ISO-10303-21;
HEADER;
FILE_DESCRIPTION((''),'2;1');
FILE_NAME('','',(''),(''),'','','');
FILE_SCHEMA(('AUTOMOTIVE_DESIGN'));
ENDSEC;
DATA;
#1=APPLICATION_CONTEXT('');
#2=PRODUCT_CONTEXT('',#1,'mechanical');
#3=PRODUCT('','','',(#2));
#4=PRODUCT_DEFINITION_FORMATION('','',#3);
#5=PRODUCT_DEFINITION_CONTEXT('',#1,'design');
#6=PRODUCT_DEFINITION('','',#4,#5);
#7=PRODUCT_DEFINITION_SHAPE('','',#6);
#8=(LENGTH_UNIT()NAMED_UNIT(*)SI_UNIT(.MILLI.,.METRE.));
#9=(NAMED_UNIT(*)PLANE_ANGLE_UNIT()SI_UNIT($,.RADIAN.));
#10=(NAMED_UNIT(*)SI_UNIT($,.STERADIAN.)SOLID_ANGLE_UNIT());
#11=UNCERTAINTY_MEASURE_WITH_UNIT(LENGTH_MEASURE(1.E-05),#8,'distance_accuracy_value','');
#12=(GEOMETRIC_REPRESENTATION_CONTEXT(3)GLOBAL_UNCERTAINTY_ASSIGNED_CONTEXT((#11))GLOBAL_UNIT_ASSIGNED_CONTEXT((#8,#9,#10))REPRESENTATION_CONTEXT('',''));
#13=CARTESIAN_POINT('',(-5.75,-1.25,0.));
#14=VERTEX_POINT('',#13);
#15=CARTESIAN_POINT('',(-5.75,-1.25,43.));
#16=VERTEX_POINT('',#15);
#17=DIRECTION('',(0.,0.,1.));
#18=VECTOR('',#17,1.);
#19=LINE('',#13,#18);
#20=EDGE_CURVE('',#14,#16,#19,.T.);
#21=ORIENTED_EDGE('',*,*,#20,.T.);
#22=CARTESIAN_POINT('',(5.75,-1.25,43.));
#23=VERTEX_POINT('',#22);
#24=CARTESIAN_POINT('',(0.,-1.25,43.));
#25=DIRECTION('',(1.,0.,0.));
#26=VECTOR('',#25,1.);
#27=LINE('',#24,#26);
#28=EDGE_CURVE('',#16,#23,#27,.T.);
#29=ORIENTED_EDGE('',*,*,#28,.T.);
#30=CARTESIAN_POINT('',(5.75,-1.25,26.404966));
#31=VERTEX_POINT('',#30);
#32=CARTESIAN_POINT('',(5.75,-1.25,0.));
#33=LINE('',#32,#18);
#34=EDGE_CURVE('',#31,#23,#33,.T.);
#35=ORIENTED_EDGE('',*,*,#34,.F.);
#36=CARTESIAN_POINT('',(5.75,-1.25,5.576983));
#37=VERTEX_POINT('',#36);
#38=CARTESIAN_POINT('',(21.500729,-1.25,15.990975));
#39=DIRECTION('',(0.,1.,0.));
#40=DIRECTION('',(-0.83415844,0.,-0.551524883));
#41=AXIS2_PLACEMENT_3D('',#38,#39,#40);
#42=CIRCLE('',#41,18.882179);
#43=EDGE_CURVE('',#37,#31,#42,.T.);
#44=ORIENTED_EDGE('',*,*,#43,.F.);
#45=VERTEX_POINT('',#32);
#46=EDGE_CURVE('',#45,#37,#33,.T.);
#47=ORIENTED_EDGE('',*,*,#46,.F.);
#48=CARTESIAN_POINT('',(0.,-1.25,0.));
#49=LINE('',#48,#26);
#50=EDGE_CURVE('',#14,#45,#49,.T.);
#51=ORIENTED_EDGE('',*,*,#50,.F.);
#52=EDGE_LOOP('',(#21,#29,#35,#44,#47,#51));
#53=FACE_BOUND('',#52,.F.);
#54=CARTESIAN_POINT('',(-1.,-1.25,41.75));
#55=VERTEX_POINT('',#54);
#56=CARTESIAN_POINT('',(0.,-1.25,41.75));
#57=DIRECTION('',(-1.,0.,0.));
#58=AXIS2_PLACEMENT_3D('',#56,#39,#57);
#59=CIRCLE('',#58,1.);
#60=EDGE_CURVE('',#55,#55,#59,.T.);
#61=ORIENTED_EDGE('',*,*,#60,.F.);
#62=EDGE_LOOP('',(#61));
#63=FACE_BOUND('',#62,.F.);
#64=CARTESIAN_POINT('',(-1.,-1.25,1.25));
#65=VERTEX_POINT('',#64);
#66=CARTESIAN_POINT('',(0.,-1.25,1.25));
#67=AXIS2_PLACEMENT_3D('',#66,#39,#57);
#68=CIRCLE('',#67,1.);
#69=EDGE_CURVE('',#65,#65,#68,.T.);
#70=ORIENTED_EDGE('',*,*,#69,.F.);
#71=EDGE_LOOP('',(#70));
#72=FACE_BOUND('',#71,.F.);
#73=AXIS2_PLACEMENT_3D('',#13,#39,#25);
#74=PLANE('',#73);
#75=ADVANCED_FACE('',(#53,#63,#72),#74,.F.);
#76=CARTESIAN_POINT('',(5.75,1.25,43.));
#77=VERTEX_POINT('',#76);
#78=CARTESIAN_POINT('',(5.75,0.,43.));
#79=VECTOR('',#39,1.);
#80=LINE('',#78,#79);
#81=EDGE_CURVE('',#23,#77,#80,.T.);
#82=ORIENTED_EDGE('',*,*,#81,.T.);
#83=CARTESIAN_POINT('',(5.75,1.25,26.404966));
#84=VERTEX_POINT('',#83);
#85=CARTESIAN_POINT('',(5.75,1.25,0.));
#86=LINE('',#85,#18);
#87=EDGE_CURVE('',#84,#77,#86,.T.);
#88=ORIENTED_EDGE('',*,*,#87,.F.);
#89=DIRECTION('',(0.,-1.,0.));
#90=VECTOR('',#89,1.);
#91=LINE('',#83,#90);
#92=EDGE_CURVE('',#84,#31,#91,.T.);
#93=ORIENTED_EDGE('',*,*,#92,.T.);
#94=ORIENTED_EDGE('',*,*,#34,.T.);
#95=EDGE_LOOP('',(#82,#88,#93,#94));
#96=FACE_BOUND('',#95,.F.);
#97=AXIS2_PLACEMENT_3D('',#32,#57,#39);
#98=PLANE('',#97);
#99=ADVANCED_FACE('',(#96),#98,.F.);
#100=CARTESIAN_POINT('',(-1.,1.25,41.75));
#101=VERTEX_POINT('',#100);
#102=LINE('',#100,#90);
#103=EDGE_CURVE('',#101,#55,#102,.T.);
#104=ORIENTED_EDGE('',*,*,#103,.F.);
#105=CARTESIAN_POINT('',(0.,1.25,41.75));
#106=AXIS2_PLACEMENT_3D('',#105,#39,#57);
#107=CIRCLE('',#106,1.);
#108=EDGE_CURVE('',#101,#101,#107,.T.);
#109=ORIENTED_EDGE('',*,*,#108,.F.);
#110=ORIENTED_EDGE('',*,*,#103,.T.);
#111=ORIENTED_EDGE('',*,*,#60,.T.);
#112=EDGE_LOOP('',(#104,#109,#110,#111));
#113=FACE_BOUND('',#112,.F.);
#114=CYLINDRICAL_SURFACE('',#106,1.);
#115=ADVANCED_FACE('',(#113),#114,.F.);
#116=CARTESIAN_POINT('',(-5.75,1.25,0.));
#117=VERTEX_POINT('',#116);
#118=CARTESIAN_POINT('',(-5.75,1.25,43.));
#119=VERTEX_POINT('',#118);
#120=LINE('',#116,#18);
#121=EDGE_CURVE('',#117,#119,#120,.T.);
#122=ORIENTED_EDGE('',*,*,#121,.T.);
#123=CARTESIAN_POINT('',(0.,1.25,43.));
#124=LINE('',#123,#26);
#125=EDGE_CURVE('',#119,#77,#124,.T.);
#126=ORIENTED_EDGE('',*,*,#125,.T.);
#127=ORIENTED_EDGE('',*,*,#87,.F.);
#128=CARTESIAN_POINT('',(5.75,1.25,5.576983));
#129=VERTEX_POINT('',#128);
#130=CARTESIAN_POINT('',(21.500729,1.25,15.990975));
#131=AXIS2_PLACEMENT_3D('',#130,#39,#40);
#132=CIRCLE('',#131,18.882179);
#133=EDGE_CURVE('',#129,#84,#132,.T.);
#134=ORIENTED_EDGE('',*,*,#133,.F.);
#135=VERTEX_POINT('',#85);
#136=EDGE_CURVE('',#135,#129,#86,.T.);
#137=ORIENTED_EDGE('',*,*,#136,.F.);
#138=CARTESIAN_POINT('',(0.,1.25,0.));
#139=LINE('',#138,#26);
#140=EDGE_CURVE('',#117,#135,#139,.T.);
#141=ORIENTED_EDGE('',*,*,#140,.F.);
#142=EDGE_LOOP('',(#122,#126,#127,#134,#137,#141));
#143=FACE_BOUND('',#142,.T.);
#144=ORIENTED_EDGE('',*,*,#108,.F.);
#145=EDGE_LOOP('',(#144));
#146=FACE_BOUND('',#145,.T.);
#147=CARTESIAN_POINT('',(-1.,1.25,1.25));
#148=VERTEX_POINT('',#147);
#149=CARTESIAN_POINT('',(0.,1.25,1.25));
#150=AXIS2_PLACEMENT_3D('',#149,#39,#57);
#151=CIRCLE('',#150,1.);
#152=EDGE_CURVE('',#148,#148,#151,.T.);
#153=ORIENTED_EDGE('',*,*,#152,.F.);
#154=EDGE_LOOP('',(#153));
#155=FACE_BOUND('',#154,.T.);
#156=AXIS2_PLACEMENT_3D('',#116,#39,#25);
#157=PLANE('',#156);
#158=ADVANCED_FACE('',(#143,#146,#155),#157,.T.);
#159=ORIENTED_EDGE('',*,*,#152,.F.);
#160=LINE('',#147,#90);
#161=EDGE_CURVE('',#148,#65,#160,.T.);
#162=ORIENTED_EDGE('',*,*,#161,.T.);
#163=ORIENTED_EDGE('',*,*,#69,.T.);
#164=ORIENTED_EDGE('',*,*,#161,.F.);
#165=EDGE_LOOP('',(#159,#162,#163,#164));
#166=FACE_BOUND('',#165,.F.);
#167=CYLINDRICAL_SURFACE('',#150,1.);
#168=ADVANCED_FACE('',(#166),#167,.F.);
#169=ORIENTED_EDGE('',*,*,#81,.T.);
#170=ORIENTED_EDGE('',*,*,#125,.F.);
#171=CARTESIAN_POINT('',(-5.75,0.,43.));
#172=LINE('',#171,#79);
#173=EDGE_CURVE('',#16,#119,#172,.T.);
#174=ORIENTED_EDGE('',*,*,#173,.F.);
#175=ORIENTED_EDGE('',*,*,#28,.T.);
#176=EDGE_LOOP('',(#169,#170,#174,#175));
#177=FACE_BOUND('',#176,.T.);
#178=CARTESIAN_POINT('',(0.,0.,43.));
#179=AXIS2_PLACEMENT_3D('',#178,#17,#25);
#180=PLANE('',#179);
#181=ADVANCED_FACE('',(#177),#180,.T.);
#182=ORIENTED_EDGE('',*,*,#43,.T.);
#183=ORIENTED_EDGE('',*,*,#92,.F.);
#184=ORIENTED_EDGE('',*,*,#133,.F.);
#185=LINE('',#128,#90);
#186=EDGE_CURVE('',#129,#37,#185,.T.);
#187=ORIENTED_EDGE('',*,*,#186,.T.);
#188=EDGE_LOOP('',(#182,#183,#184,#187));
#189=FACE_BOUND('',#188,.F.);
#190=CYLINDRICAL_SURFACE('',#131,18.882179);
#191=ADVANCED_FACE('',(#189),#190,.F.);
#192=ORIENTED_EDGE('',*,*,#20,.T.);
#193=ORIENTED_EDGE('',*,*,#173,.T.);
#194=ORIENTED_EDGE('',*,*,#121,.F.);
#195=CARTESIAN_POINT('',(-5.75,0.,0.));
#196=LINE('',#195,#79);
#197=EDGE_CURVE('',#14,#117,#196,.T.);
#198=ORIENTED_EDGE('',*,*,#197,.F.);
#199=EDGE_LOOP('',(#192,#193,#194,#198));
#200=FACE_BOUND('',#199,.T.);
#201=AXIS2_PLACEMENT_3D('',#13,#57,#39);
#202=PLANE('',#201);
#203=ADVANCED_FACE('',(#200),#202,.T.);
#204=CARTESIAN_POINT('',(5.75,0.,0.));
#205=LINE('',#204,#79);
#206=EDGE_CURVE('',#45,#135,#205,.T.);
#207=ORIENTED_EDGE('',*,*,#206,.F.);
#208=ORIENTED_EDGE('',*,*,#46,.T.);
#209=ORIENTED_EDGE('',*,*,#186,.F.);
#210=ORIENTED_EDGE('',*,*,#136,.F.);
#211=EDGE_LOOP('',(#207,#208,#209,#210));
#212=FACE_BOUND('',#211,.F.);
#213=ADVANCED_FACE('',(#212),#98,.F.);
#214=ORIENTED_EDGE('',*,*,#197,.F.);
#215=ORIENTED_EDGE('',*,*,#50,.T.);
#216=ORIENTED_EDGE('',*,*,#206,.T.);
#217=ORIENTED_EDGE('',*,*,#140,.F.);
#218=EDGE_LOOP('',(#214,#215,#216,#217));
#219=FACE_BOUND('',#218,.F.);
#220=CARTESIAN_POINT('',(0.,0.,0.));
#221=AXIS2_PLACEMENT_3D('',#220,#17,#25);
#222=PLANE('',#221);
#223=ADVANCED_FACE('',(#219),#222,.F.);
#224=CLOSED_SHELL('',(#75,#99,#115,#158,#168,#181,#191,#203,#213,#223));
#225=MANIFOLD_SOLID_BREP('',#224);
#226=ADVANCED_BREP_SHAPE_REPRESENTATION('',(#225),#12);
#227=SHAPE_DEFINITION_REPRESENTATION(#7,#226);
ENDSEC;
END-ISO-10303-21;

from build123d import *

# Parameters (mm, degrees)
F0_W     = 11.5
F0_H     = 2.5
F1_DEPTH = 43
F2_R     = 1
F3_DEPTH = 25
F5_DEPTH = 25


with BuildPart() as f1:
    # F0 (on Top) → F1 (new body)
    with BuildSketch(Plane.XY):
        Rectangle(F0_W, F0_H)
    extrude(amount=F1_DEPTH)

    # F2 (on face) → F3 (cut)
    with BuildSketch(Plane(origin=(0, 1.25, 0), x_dir=(-1, 0, 0), z_dir=(0, 1, 0))):
        with Locations((0, 1.25)):
            Circle(F2_R)
        with Locations((0, 41.75)):
            Circle(F2_R)
    extrude(amount=-F3_DEPTH, mode=Mode.SUBTRACT)

    # F4 (on face) → F5 (cut)
    with BuildSketch(Plane(origin=(0, 1.25, 0), x_dir=(-1, 0, 0), z_dir=(0, 1, 0))):
        with BuildLine():
            Line((-5.75, 26.404966), (-5.75, 5.576983))
            ThreePointArc((-5.75, 5.576983), (-2.61855, 15.990974), (-5.75, 26.404966))
        make_face()
    extrude(amount=-F5_DEPTH, mode=Mode.SUBTRACT)


solid = f1.part
